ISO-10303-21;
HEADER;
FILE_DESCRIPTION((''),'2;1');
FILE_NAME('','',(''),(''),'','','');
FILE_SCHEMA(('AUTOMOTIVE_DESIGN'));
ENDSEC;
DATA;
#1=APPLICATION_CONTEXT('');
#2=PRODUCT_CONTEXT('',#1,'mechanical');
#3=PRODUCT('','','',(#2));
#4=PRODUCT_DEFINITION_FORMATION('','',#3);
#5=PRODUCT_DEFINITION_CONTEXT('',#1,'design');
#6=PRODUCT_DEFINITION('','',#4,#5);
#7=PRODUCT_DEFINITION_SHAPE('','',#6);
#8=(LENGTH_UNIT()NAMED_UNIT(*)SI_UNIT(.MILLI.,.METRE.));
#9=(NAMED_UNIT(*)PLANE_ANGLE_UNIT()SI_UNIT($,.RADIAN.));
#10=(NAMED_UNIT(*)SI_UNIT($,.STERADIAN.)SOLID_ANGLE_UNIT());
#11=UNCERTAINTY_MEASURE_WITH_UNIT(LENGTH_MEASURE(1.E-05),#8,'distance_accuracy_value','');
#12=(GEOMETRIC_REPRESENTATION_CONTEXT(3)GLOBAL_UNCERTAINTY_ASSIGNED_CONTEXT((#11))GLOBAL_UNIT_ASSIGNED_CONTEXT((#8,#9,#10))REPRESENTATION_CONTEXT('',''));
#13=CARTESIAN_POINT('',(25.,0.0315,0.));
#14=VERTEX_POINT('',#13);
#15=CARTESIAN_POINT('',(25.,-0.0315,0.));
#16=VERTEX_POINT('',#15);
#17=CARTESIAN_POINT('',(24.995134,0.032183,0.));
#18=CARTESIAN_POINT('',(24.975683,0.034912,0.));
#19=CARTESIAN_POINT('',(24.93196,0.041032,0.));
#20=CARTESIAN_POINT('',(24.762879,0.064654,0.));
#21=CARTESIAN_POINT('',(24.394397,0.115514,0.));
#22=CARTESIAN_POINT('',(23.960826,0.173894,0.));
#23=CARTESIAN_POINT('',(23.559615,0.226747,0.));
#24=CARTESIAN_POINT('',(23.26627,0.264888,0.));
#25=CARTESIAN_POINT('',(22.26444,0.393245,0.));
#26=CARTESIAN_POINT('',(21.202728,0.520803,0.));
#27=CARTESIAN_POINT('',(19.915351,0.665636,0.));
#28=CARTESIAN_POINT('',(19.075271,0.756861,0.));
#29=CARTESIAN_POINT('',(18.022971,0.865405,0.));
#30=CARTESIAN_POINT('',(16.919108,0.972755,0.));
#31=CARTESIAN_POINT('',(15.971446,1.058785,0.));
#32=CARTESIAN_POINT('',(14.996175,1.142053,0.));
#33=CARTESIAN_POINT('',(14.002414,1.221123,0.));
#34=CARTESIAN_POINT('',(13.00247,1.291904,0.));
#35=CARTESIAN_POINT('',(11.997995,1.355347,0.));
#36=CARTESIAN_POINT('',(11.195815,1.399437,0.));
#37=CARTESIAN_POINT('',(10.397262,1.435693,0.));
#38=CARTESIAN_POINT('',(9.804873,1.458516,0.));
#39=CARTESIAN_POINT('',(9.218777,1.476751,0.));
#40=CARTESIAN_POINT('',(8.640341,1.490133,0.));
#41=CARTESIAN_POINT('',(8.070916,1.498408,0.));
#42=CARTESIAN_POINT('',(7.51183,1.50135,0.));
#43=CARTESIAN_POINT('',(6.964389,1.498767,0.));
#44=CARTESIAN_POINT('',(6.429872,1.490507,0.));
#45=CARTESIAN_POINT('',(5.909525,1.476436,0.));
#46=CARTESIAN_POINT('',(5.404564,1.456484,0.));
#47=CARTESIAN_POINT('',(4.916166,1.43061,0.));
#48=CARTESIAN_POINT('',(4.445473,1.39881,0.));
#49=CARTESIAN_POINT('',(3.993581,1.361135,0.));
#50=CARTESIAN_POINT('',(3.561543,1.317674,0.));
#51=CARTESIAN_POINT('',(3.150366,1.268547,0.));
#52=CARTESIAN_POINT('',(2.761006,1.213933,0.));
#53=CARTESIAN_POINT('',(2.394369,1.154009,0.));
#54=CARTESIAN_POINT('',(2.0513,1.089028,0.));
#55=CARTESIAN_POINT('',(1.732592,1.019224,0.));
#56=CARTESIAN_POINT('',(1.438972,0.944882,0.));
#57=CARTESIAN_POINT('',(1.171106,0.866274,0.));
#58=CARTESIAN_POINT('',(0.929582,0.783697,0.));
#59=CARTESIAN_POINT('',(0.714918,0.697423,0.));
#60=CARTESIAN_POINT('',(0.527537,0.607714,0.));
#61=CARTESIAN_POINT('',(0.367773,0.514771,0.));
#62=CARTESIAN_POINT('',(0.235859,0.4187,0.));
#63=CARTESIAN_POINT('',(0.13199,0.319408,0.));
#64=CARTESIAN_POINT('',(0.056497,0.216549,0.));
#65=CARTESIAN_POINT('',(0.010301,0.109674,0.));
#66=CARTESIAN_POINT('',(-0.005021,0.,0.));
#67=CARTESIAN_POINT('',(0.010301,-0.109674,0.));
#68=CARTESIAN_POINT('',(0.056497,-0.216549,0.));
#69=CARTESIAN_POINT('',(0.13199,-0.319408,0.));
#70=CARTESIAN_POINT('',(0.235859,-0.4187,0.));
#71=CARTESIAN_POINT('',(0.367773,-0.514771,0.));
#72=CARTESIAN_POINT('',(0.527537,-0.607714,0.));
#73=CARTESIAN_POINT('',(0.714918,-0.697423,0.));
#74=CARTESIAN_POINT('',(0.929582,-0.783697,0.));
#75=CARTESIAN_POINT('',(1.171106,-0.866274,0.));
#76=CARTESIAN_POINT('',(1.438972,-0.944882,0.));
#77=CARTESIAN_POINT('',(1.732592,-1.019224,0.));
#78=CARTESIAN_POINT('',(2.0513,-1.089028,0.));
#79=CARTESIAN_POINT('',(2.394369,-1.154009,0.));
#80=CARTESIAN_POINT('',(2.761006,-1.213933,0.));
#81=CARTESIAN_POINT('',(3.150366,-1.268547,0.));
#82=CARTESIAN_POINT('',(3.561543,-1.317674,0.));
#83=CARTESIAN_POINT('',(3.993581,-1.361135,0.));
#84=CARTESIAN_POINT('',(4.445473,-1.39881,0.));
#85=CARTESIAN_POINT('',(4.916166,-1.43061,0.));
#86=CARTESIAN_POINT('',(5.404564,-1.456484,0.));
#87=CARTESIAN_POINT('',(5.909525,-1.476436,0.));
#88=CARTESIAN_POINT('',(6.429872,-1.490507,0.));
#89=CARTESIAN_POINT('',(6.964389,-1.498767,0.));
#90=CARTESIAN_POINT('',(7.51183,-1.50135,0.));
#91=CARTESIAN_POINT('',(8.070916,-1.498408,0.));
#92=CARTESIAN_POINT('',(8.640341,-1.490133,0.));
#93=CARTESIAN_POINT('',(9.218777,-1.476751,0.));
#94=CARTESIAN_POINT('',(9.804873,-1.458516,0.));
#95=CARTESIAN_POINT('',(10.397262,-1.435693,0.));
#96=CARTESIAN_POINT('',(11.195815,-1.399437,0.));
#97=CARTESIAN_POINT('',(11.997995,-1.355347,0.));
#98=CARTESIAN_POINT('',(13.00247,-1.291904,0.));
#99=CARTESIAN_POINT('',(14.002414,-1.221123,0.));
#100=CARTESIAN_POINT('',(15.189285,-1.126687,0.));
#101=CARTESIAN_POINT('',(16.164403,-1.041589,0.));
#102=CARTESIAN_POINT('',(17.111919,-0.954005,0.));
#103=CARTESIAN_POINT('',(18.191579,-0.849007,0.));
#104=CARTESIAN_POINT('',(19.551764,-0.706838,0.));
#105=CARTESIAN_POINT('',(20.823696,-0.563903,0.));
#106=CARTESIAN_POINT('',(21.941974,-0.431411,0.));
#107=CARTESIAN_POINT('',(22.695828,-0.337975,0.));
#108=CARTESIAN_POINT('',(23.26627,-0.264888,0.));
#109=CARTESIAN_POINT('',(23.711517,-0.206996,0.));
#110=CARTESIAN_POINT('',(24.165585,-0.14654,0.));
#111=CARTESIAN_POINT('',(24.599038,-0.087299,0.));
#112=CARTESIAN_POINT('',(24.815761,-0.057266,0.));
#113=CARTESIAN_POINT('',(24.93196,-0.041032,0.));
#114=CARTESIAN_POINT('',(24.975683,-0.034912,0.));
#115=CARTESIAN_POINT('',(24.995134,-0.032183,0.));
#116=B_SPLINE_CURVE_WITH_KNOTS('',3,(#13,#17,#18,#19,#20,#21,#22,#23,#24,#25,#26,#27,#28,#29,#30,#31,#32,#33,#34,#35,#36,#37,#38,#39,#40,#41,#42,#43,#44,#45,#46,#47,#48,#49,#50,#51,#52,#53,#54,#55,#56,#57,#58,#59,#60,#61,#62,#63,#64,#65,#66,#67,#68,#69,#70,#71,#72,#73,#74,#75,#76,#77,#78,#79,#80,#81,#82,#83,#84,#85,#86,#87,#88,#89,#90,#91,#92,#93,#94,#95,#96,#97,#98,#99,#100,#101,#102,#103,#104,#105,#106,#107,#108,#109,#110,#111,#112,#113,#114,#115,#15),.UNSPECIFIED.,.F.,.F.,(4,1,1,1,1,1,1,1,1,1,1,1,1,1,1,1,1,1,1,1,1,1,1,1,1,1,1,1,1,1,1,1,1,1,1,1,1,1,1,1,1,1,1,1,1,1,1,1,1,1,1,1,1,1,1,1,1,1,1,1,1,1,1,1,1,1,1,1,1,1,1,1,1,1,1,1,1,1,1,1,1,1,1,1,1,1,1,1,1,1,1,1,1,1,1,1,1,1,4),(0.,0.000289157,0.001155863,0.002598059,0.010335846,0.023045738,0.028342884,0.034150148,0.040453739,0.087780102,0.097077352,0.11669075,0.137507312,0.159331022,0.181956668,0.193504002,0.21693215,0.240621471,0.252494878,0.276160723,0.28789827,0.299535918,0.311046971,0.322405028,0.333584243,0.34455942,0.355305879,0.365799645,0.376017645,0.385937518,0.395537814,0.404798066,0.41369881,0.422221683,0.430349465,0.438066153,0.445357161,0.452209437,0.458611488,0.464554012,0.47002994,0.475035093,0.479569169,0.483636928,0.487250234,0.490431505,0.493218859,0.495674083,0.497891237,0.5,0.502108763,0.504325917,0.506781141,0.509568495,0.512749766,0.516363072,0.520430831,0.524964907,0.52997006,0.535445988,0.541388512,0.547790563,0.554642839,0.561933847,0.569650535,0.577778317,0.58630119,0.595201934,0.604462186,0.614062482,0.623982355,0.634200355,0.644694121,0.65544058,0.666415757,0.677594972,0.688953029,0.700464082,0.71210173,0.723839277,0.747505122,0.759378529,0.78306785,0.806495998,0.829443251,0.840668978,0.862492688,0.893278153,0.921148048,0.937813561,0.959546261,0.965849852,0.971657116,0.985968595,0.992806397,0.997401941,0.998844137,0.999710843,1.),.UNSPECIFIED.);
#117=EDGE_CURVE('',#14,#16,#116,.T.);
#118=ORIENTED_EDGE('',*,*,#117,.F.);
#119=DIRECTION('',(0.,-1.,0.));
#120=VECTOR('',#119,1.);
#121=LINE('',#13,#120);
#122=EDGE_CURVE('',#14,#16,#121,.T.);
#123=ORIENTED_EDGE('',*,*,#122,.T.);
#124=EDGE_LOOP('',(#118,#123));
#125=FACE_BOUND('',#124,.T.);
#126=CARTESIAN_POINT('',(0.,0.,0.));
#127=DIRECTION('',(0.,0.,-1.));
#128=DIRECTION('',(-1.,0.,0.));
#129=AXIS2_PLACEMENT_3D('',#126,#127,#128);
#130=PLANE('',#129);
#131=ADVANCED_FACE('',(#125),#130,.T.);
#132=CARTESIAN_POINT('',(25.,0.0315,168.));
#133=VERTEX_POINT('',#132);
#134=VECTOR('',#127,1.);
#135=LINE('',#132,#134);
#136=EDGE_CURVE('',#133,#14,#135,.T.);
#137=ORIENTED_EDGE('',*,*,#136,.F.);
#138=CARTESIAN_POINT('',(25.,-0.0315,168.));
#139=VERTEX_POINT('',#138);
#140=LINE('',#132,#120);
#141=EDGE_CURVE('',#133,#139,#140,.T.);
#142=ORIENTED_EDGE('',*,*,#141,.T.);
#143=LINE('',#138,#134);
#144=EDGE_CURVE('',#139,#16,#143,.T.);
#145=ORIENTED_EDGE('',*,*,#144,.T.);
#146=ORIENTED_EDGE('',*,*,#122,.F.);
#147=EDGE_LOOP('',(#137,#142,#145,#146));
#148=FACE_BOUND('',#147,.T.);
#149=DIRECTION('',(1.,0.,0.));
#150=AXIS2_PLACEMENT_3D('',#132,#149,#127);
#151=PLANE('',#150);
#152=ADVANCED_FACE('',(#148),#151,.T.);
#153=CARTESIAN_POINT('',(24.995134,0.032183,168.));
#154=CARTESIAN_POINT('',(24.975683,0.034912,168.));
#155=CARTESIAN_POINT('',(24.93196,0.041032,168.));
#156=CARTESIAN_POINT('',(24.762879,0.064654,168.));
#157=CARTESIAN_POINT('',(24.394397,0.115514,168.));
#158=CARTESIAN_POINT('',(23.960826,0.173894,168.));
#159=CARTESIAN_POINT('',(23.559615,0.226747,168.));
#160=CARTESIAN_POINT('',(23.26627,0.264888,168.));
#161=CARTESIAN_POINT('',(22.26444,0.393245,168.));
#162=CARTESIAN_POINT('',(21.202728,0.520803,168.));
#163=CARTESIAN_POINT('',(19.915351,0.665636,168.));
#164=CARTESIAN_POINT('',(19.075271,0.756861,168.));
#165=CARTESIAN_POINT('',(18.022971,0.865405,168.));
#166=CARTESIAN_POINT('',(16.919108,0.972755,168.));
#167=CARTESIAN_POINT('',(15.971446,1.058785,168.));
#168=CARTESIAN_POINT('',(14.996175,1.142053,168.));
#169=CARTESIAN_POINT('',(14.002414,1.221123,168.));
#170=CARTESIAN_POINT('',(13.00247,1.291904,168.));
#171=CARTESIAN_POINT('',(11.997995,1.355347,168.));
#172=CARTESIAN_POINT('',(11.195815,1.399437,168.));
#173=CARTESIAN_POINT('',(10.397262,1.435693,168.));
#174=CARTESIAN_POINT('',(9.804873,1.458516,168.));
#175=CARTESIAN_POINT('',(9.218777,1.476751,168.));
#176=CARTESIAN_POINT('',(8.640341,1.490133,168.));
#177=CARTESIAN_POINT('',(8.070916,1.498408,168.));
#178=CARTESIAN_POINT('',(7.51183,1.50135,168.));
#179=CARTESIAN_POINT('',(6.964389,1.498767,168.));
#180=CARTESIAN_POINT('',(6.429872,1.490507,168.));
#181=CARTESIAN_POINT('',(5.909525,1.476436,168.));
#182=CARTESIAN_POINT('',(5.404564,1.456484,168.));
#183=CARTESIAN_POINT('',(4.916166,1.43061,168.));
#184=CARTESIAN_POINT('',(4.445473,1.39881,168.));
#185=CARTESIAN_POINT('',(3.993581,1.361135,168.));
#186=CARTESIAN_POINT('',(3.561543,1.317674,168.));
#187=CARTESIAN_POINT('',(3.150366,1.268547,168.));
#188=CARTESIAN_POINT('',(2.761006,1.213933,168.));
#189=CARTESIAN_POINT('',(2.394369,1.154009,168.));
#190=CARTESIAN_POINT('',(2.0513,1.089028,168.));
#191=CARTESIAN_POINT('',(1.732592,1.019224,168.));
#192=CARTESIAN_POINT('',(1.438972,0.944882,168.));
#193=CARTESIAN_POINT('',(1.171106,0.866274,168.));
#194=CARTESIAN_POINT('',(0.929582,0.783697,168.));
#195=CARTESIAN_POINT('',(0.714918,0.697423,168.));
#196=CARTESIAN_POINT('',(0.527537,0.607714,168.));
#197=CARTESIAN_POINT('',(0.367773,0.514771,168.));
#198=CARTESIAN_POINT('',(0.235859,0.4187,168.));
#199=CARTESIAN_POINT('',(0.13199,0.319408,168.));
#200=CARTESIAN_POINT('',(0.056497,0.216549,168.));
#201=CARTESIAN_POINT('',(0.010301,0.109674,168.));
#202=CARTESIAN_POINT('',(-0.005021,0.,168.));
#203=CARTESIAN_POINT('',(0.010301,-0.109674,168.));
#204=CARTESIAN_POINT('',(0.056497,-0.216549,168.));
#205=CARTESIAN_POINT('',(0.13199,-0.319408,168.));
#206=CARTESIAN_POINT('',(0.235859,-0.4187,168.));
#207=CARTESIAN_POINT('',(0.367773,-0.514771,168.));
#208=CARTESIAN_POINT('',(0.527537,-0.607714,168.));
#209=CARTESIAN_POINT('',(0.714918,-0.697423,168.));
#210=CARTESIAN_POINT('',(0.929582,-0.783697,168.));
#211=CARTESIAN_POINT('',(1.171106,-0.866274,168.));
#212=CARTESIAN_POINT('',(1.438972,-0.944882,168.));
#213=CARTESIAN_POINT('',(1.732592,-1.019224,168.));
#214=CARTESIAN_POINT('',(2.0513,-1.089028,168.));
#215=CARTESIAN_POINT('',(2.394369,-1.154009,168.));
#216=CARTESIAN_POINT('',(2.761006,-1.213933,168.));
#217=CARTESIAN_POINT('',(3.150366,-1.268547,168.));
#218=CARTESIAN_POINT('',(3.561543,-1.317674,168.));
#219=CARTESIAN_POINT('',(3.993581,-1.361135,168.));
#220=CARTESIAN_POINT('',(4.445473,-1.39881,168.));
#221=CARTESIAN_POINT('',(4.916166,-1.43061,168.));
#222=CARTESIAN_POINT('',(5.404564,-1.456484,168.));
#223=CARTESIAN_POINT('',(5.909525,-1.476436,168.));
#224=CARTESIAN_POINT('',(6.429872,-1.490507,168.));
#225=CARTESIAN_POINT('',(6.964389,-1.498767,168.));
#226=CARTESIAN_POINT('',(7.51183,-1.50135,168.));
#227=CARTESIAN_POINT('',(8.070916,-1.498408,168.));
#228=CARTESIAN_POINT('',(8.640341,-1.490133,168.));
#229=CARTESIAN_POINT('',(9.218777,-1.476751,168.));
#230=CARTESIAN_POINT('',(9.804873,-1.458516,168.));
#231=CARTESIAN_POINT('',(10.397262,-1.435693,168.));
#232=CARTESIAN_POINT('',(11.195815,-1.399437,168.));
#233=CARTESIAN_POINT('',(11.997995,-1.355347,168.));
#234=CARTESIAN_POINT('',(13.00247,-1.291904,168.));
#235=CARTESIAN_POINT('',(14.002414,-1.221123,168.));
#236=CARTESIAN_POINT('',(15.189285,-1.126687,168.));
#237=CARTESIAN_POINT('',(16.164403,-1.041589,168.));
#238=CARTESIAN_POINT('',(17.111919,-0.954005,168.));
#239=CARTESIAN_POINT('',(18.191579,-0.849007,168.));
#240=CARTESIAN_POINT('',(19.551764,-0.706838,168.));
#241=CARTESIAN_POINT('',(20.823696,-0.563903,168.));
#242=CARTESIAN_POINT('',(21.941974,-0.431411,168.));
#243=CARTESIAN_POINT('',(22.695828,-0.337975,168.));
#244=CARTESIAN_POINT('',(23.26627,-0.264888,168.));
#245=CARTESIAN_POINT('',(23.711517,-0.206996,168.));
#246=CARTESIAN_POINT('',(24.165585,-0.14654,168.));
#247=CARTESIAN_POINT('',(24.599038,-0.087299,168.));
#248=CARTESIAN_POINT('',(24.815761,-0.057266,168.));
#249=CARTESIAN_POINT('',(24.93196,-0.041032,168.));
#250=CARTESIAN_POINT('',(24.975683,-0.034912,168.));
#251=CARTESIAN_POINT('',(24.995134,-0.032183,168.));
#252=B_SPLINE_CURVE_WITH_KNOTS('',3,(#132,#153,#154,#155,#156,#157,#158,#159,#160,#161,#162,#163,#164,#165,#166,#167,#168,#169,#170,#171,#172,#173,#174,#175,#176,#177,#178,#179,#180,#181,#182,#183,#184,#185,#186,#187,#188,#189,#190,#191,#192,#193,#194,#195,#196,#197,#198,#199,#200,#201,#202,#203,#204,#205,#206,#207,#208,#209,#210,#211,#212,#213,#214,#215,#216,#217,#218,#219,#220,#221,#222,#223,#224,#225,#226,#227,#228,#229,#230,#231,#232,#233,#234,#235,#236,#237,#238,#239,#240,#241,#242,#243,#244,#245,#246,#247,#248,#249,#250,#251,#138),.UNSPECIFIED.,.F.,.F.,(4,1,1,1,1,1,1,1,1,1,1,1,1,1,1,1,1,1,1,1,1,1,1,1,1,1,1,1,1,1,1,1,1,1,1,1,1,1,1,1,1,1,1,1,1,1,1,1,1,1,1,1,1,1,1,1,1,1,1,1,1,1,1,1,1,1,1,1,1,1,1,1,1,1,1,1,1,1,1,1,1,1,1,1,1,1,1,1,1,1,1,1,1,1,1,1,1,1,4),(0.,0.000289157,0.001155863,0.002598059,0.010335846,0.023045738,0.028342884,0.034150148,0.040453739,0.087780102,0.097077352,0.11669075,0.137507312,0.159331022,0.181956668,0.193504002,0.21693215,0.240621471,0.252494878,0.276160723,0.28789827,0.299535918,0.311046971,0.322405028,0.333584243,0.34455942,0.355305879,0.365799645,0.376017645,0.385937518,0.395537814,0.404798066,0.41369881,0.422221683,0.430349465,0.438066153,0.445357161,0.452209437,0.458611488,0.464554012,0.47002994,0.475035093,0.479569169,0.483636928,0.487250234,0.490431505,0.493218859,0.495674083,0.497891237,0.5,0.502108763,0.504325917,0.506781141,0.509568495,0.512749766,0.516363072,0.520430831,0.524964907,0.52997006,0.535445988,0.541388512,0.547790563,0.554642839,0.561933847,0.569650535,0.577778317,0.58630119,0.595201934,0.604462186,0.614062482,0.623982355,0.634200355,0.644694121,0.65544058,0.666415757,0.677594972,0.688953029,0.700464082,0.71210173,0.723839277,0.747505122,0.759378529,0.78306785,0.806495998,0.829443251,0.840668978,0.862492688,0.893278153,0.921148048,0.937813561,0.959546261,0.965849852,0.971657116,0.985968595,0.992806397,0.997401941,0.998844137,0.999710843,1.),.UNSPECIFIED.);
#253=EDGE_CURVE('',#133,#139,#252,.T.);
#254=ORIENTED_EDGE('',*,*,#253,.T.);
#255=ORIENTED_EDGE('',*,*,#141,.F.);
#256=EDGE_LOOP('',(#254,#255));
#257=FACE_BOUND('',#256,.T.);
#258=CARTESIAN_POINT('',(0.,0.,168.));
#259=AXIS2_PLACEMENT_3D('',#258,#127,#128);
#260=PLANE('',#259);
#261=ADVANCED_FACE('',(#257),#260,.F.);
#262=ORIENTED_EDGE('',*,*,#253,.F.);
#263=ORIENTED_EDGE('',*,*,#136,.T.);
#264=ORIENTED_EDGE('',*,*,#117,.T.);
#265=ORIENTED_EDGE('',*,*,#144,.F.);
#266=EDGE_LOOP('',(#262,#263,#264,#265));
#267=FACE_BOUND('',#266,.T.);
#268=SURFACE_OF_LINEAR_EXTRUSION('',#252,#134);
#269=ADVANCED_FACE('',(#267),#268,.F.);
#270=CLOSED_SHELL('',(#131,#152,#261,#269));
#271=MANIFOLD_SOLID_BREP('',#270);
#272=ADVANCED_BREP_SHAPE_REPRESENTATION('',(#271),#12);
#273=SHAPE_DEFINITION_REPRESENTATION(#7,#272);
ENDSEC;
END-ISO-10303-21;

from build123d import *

# Parameters (mm, degrees)
BOSS_EXTRUDE1_DEPTH = 168


with BuildPart() as part:
    # Sketch1 → Boss-Extrude1 (new body)
    with BuildSketch(Plane.XY):
        with BuildLine():
            Line((25, 0.0315), (25, -0.0315))
            add(Edge.make_bspline(
                [(25, 0.0315), (24.99513402, 0.032182808), (24.975682974, 0.034912235), (24.9319603, 0.041031964), (24.762878747, 0.064653747), (24.394396644, 0.115513522), (23.960826063, 0.173893734), (23.559615169, 0.22674682), (23.266269629, 0.264888121), (22.264440193, 0.393245255), (21.20272832, 0.520803388), (19.915350999, 0.665636111), (19.075270819, 0.756861469), (18.022971426, 0.865404641), (16.91910813, 0.972755424), (15.971445961, 1.058784724), (14.996174562, 1.142052565), (14.002413803, 1.221123343), (13.002470341, 1.291903569), (11.997994706, 1.355346881), (11.1958145, 1.399437267), (10.397261772, 1.435692558), (9.804873419, 1.458516197), (9.218777058, 1.476750564), (8.64034122, 1.490133131), (8.070915921, 1.498408121), (7.511830082, 1.501350023), (6.964389325, 1.49876702), (6.429871686, 1.490506616), (5.909525215, 1.476435702), (5.404563712, 1.45648442), (4.916166328, 1.430610116), (4.445473087, 1.398809788), (3.993581035, 1.361134548), (3.561542921, 1.317674025), (3.150366274, 1.26854725), (2.761005882, 1.213933229), (2.394368534, 1.154009047), (2.051299558, 1.08902815), (1.732592266, 1.019223668), (1.438972406, 0.944882346), (1.171105933, 0.866273939), (0.929582246, 0.783696736), (0.71491755, 0.697423484), (0.527536949, 0.607714278), (0.367772948, 0.514770908), (0.235859321, 0.418700069), (0.131989531, 0.319408133), (0.056496901, 0.216548838), (0.010301038, 0.10967394), (-0.005021465, 0), (0.010301038, -0.10967394), (0.056496901, -0.216548838), (0.131989531, -0.319408133), (0.235859321, -0.418700069), (0.367772948, -0.514770908), (0.527536949, -0.607714278), (0.71491755, -0.697423484), (0.929582246, -0.783696736), (1.171105933, -0.866273939), (1.438972406, -0.944882346), (1.732592266, -1.019223668), (2.051299558, -1.08902815), (2.394368534, -1.154009047), (2.761005882, -1.213933229), (3.150366274, -1.26854725), (3.561542921, -1.317674025), (3.993581035, -1.361134548), (4.445473087, -1.398809788), (4.916166328, -1.430610116), (5.404563712, -1.45648442), (5.909525215, -1.476435702), (6.429871686, -1.490506616), (6.964389325, -1.49876702), (7.511830082, -1.501350023), (8.070915921, -1.498408121), (8.64034122, -1.490133131), (9.218777058, -1.476750564), (9.804873419, -1.458516197), (10.397261772, -1.435692558), (11.1958145, -1.399437267), (11.997994706, -1.355346881), (13.002470341, -1.291903569), (14.002413879, -1.221123089), (15.189285078, -1.126687347), (16.164403099, -1.041588874), (17.111918585, -0.954004594), (18.191578664, -0.849007459), (19.551763838, -0.706838119), (20.823696294, -0.56390321), (21.941973639, -0.431410888), (22.695827891, -0.337974681), (23.266269629, -0.264888121), (23.711517408, -0.206996225), (24.165584798, -0.146539645), (24.599038042, -0.087299151), (24.815761384, -0.057265702), (24.9319603, -0.041031964), (24.975682974, -0.034912235), (24.99513402, -0.032182808), (25, -0.0315)],
                knots=[0, 0, 0, 0, 0.000289157, 0.001155863, 0.002598059, 0.010335846, 0.023045738, 0.028342884, 0.034150148, 0.040453739, 0.087780102, 0.097077352, 0.11669075, 0.137507312, 0.159331022, 0.181956668, 0.193504002, 0.21693215, 0.240621471, 0.252494878, 0.276160723, 0.28789827, 0.299535918, 0.311046971, 0.322405028, 0.333584243, 0.34455942, 0.355305879, 0.365799645, 0.376017645, 0.385937518, 0.395537814, 0.404798066, 0.41369881, 0.422221683, 0.430349465, 0.438066153, 0.445357161, 0.452209437, 0.458611488, 0.464554012, 0.47002994, 0.475035093, 0.479569169, 0.483636928, 0.487250234, 0.490431505, 0.493218859, 0.495674083, 0.497891237, 0.5, 0.502108763, 0.504325917, 0.506781141, 0.509568495, 0.512749766, 0.516363072, 0.520430831, 0.524964907, 0.52997006, 0.535445988, 0.541388512, 0.547790563, 0.554642839, 0.561933847, 0.569650535, 0.577778317, 0.58630119, 0.595201934, 0.604462186, 0.614062482, 0.623982355, 0.634200355, 0.644694121, 0.65544058, 0.666415757, 0.677594972, 0.688953029, 0.700464082, 0.71210173, 0.723839277, 0.747505122, 0.759378529, 0.78306785, 0.806495998, 0.829443251, 0.840668978, 0.862492688, 0.893278153, 0.921148048, 0.937813561, 0.959546261, 0.965849852, 0.971657116, 0.985968595, 0.992806397, 0.997401941, 0.998844137, 0.999710843, 1, 1, 1, 1], degree=3))
        make_face()
    extrude(amount=BOSS_EXTRUDE1_DEPTH)


solid = part.part
